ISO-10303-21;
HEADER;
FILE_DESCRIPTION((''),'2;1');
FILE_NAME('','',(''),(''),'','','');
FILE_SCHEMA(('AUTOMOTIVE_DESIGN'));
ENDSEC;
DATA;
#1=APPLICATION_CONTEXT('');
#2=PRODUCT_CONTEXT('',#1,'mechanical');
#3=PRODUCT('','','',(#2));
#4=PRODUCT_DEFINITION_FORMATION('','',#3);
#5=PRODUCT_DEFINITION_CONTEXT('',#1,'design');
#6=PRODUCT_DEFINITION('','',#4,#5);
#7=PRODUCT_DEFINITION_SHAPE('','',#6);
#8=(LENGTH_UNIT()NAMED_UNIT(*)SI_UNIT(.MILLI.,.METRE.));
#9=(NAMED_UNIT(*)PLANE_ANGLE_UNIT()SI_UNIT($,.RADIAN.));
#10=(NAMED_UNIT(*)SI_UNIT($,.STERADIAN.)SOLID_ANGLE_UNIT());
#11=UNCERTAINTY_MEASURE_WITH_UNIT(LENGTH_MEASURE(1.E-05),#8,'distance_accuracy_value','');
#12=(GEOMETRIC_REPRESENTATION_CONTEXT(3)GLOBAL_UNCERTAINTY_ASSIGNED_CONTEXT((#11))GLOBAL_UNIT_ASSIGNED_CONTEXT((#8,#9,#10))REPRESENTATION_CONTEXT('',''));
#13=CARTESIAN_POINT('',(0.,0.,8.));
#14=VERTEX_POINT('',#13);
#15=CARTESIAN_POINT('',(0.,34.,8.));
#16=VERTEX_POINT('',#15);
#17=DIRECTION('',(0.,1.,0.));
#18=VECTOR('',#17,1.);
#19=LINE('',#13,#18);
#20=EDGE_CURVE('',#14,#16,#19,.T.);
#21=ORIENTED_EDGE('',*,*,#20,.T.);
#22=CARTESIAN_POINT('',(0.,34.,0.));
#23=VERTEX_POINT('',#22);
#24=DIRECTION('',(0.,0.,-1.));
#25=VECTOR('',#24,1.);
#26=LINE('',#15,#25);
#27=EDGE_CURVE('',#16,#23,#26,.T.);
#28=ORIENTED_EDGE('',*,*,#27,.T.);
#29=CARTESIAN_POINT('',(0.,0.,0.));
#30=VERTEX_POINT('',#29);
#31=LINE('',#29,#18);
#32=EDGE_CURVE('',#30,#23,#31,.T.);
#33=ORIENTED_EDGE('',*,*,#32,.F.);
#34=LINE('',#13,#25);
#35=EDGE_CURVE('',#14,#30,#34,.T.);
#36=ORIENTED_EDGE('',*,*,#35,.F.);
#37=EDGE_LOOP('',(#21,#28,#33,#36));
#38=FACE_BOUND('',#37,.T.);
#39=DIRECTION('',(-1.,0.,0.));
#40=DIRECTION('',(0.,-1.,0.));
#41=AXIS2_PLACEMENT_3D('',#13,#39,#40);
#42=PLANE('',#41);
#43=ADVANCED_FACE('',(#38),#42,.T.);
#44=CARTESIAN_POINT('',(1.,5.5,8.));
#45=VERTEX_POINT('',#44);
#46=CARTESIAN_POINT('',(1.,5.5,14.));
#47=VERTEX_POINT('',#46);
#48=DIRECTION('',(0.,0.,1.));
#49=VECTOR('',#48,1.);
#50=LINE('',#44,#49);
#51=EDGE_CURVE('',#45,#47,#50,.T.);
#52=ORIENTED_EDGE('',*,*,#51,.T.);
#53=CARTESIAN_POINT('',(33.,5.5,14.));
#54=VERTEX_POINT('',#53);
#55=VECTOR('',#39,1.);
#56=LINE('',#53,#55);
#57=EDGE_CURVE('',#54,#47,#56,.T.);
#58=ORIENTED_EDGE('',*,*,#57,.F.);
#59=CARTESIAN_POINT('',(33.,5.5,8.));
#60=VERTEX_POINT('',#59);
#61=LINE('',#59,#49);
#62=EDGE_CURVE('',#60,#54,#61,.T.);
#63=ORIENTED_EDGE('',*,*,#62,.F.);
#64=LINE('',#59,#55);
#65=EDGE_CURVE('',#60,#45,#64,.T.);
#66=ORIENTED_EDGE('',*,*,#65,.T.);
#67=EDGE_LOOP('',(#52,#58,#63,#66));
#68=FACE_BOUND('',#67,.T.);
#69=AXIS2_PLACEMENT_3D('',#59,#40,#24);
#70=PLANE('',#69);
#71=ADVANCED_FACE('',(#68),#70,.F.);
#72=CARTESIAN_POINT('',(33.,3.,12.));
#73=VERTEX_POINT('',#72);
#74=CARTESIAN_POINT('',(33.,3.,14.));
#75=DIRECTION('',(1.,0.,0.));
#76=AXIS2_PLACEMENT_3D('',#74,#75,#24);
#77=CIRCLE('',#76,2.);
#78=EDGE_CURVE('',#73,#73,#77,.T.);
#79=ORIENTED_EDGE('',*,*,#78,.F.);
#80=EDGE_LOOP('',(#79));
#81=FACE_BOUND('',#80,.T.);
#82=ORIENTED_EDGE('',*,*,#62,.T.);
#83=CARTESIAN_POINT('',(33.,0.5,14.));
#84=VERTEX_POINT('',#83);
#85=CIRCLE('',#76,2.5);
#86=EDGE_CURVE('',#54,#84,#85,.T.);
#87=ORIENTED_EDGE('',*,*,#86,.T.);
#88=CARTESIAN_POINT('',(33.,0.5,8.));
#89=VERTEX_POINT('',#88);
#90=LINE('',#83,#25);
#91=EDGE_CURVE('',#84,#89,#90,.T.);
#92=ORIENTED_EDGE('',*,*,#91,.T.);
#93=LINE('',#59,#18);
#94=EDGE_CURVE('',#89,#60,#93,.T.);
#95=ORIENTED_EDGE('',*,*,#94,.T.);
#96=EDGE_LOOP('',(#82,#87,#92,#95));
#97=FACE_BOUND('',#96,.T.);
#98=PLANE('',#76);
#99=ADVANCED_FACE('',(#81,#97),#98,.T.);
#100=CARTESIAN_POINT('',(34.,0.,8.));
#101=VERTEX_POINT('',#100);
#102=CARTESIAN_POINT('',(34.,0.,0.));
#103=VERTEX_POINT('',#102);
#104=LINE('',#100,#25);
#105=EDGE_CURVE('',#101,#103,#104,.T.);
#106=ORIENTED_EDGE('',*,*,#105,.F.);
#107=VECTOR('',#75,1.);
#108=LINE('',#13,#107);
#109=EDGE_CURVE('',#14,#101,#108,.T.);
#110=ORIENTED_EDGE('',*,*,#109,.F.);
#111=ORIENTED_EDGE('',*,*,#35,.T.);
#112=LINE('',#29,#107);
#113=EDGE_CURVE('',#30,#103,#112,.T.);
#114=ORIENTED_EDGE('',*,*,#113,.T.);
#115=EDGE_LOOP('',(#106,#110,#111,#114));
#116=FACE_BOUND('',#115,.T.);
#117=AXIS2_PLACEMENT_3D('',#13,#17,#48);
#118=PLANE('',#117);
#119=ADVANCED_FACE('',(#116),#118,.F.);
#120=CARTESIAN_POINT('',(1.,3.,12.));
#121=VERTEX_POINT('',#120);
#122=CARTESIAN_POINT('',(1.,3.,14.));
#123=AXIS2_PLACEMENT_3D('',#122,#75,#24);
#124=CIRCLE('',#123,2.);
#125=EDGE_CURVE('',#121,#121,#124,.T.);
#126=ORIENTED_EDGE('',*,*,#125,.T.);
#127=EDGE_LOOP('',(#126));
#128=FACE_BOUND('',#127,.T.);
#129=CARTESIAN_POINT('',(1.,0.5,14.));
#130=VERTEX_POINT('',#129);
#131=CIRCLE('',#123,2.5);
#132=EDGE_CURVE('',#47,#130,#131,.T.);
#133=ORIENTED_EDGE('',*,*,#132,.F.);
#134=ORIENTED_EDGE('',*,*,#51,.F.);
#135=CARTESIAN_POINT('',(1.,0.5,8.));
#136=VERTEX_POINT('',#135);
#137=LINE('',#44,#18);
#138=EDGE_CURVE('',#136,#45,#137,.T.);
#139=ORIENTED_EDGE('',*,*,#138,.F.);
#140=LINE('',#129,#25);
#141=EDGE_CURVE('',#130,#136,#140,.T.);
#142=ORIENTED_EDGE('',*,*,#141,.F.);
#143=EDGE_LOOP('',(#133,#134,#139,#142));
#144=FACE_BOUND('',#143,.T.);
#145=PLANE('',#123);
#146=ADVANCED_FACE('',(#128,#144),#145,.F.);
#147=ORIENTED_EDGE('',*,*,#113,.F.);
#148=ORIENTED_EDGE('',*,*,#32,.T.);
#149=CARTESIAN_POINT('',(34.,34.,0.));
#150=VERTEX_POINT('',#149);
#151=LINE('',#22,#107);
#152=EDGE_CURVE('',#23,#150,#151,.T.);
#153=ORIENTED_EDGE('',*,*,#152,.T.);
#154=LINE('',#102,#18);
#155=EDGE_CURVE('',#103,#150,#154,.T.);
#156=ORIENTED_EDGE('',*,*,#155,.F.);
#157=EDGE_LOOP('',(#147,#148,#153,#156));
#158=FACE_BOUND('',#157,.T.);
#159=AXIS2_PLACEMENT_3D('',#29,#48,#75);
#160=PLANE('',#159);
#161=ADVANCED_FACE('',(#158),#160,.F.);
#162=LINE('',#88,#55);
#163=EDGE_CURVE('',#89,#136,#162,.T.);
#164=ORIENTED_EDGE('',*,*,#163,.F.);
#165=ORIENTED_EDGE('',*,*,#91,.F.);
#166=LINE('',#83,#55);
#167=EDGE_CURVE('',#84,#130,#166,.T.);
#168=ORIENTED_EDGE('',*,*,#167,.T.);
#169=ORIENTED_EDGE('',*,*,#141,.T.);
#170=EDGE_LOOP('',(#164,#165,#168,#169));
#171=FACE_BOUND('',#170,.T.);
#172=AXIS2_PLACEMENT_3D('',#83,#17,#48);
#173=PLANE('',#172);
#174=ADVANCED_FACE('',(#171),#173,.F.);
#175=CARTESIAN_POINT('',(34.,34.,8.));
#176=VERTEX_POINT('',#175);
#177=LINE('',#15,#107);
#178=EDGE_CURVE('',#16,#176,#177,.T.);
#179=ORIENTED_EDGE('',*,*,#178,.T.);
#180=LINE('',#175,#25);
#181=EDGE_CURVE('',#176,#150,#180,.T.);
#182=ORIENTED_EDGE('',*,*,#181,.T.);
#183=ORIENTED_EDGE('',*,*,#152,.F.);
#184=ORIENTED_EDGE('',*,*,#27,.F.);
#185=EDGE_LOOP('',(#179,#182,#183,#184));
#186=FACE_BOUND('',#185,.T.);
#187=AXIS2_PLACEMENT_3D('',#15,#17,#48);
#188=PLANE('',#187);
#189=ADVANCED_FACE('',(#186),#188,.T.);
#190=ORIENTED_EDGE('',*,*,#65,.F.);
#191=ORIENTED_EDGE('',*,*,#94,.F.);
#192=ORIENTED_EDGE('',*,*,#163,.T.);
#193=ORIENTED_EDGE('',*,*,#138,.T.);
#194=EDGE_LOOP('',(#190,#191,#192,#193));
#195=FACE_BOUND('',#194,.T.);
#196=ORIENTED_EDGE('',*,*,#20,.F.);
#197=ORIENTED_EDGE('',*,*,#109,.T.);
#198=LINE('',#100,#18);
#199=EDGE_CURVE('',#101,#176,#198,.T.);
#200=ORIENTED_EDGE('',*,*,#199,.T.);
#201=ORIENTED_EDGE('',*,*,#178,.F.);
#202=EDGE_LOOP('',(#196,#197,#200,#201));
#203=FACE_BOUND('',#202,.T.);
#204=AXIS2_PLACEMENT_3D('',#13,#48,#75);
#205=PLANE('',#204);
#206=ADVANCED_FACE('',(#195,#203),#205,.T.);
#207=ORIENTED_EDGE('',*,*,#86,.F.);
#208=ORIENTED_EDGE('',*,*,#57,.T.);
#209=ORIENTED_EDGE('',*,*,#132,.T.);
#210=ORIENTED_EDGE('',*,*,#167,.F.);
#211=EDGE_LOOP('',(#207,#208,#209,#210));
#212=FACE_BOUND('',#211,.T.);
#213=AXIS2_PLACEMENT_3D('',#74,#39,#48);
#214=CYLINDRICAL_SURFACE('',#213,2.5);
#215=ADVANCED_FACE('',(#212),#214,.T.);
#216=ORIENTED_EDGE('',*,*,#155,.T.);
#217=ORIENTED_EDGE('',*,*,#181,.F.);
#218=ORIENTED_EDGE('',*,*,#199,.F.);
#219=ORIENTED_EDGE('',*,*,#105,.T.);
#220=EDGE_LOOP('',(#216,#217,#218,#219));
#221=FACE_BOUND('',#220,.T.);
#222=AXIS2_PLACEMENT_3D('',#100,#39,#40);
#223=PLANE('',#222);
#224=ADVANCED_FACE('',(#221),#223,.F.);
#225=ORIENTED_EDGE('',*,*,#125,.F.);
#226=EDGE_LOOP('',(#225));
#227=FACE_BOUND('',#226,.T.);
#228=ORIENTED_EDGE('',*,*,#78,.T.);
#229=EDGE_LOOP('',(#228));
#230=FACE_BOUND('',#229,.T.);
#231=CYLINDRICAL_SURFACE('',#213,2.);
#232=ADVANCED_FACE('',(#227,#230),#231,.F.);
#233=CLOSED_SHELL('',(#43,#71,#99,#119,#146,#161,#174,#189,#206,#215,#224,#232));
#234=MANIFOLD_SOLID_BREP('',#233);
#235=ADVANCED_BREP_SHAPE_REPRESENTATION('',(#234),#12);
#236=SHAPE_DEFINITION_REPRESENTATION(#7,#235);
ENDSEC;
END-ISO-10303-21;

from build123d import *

# Parameters (mm, degrees)
ESQUISSE1_W        = 34
ESQUISSE1_H        = 34
BOSS_EXTRU_1_DEPTH = 8
BOSS_EXTRU_2_START = 1
ESQUISSE2_R        = 2
BOSS_EXTRU_2_DEPTH = 32


with BuildPart() as part:
    # Esquisse1 → Boss.-Extru.1 (new body)
    with BuildSketch(Plane.XY):
        with Locations((17, 17)):
            Rectangle(ESQUISSE1_W, ESQUISSE1_H)
    extrude(amount=BOSS_EXTRU_1_DEPTH)

    # Esquisse2 → Boss.-Extru.2 (add)
    with BuildSketch(Plane(origin=(0, 0, 0), x_dir=(0, 0, -1), z_dir=(1, 0, 0)).offset(BOSS_EXTRU_2_START)):
        with BuildLine():
            Line((-8, 5.5), (-14, 5.5))
            ThreePointArc((-14, 5.5), (-16.5, 3), (-14, 0.5))
            Line((-14, 0.5), (-8, 0.5))
            Line((-8, 0.5), (-8, 5.5))
        make_face()
        with Locations((-14, 3)):
            Circle(ESQUISSE2_R, mode=Mode.SUBTRACT)
    extrude(amount=BOSS_EXTRU_2_DEPTH)


solid = part.part
